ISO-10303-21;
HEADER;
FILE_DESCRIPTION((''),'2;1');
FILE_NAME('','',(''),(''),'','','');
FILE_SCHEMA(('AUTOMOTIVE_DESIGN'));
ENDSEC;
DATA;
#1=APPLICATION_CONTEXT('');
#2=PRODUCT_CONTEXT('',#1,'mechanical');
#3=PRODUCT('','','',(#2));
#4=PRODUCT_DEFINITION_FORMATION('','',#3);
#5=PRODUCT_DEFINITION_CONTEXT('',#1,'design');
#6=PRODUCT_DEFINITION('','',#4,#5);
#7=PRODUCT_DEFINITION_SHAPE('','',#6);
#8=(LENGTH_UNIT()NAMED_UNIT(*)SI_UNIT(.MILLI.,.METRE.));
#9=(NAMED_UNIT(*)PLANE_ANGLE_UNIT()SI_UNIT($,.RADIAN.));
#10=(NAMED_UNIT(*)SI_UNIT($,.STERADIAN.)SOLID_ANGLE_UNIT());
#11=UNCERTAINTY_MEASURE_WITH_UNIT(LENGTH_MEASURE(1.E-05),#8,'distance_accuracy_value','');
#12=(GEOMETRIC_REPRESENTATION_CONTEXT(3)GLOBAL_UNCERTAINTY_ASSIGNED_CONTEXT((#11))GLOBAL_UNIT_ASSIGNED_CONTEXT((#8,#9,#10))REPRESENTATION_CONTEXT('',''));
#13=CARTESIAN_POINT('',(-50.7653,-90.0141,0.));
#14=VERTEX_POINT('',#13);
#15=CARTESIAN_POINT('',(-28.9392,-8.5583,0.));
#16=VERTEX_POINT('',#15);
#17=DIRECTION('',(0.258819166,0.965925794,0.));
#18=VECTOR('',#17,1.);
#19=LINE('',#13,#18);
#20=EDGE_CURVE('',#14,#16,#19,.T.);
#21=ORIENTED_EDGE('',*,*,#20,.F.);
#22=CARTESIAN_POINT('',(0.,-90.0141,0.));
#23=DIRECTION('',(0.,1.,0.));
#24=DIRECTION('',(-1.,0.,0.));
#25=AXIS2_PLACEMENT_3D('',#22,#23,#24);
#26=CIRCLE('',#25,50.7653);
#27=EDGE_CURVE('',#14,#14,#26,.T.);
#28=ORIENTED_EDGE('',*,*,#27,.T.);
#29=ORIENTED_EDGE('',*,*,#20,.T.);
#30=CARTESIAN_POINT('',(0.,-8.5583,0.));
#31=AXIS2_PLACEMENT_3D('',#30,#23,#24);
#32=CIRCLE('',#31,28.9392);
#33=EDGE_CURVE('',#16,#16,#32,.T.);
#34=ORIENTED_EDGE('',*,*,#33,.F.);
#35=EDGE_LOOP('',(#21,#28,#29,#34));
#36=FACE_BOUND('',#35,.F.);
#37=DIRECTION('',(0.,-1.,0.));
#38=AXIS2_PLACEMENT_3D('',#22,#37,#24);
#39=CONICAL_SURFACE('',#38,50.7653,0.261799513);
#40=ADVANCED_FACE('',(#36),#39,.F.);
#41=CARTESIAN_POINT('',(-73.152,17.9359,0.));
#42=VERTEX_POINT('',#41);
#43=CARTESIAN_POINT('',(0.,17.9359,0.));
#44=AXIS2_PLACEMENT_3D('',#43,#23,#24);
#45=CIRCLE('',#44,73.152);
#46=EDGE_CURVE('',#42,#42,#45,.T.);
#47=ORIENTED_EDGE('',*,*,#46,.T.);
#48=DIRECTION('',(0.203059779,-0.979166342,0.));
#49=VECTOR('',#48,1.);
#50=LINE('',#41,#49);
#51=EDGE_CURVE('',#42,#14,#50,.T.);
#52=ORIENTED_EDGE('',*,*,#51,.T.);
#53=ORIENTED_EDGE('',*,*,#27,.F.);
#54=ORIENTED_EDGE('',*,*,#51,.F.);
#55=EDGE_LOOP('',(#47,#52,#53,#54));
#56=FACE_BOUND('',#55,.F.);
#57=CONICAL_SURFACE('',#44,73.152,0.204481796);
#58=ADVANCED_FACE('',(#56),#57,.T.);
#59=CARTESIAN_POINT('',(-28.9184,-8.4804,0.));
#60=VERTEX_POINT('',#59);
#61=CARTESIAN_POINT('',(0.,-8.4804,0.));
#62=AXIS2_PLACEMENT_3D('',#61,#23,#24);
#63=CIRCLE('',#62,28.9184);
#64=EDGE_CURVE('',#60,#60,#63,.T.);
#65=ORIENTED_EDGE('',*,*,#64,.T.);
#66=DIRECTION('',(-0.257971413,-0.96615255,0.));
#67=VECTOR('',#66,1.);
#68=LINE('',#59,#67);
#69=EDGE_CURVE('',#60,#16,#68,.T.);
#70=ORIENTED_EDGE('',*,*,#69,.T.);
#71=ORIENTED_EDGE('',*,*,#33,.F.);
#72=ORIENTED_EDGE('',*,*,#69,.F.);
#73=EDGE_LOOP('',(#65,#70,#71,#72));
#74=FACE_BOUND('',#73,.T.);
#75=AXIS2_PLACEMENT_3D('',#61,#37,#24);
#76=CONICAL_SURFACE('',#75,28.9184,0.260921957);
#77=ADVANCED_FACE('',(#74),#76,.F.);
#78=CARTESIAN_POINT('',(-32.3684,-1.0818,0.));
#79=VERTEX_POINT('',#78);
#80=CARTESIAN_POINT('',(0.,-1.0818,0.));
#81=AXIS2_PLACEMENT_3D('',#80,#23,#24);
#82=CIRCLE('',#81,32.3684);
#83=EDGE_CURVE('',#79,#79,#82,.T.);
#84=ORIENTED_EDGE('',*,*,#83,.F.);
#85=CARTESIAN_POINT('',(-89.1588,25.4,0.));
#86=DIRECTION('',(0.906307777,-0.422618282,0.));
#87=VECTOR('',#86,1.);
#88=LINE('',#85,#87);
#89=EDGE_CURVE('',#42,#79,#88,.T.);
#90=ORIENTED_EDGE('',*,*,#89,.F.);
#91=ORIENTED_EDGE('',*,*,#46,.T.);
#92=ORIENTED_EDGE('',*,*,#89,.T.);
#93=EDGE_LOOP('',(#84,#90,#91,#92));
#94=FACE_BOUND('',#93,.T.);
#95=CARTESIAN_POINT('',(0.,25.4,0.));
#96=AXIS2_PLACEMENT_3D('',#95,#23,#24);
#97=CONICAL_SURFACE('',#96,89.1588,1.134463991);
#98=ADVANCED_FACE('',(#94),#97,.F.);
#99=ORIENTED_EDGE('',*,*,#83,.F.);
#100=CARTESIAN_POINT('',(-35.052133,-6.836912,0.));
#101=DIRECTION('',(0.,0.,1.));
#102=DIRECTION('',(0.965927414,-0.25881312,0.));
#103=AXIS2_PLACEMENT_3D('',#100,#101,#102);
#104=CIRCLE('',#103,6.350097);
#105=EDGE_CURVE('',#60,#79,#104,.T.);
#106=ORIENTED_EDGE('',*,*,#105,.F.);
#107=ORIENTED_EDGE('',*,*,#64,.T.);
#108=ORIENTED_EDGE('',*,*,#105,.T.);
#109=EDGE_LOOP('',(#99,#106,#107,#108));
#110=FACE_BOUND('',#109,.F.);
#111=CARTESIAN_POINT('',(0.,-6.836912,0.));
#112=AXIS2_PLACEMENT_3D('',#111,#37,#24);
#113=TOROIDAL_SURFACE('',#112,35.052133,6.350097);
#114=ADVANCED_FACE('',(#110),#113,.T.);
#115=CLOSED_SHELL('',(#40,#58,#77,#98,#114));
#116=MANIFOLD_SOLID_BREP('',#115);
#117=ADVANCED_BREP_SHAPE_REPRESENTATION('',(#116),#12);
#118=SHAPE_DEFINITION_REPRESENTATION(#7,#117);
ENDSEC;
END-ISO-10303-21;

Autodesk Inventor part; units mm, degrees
ref_plane "YZ Plane" through (0, 0, 0) normal (1, 0, 0) x (0, 1, 0)
ref_plane "XZ Plane" through (0, 0, 0) normal (0, 1, 0) x (-1, 0, 0)
ref_plane "XY Plane" through (0, 0, 0) normal (0, 0, 1) x (1, 0, 0)
sketch "Sketch1" plane through (0, 0, 0) normal (0, 0, 1) x (1, 0, 0)
  line L0 (0, 25.4) -> (-28.702, 25.4) construction
  line L1 (0, 25.4) -> (-95.25, 25.4) construction
  line L2 (-95.25, 25.4) -> (-89.1588, 25.4) construction
  line L3 (-89.1588, 25.4) -> (-85.693, 23.7839) construction
  line L4 (-89.1588, 25.4) -> (-89.1588, 21.1626) construction
  line L5 (-89.1588, 0) -> (-95.25, 0)
  line L6 (-28.702, 59.6457) -> (-28.702, -91.9304) construction
  arc A0 (-28.9184, -8.4804) -> (-32.3684, -1.0818) centre (-35.052, -6.8369) ccw
  line L7 (-89.1588, 25.4) -> (-89.1588, 0)
  line L8 (-89.1588, 25.4) -> (-32.3684, -1.0818)
  line L9 (-28.9184, -8.4804) -> (-28.9392, -8.5583)
  line L10 (0, -319.0244) -> (0, 122.7573) projected
  line L11 (-73.152, 17.9359) -> (-28.702, 17.9359) construction
  line L12 (-89.1588, 0) -> (-92.3338, 0)
  line L13 (11.4547, -6.8369) -> (-136.2084, -6.8369) construction
  line L14 (-57.2892, -89.8271) -> (-74.8171, -155.2422)
  line L15 (-92.3338, -12.7) -> (-73.2838, -12.7)
  line L16 (-73.2838, -12.7) -> (-54.421, -103.6575)
  line L17 (-74.8171, -155.2422) -> (-68.2431, -155.2422)
  line L18 (-92.3338, -25.4) -> (-79.6338, -25.4)
  line L19 (-79.6338, -25.4) -> (-79.6338, -57.15)
  line L20 (-79.6338, -57.15) -> (-72.991, -88.4936)
  line L21 (-92.3338, 0) -> (-92.3338, -25.4)
  line L22 (-86.3902, -25.4) -> (-86.3902, -31.3436)
  line L23 (-86.3902, -31.3436) -> (-92.3338, -31.3436)
  line L24 (-92.3338, -31.3436) -> (-92.3338, -56.7436)
  line L25 (-92.3338, -56.7436) -> (-79.6338, -56.7436)
  line L26 (-73.152, 17.9359) -> (-32.3684, -1.0818)
  line L27 (-73.152, 17.9359) -> (-50.7653, -90.0141)
  line L28 (-50.7653, -90.0141) -> (-28.9184, -8.4804)
  line L29 (-52.4654, -96.3589) -> (-28.9184, -8.4804)
  line L30 (-86.36, -222.8555) -> (-28.9184, -8.4804)
  line L31 (-72.991, -88.4936) -> (-89.535, -222.8555)
  line L32 (-89.535, -222.8555) -> (-86.36, -222.8555)
  point P0 (0, 0)
  point P1 (-95.25, -255.9127)
  point P2 (-88.7095, 22.4389)
  dimension "d0" = 28.702
  dimension "d3" = 25
  dimension "d5" = 25.4
  dimension "d6" = 25.4
  dimension "d8" = 12.7
  dimension "d34" = 15
  dimension "d37" = 44.45
  dimension "d46" = 19.05
  dimension "d47" = 12.7
  dimension "d55" = 12.7
  dimension "d56" = 31.75
  dimension "d58" = 0.25
  dimension "d60" = 12.7
  dimension "d61" = 25.4
  dimension "d62" = 5.9436
  dimension "d63" = 5.9436
  dimension "d64" = 3.175
  dimension "d68" = 107.95
  dimension "d69" = 6.35
  dimension "d70" = 6.35
  dimension "d71" = 3.175
  dimension "d73" = 86.36
  dimension "d74" = 31.75
  dimension "d75" = 6.3448
revolve "Revolution3" add sketch "Sketch1" angle 360 about axis through (0, -10, 0) along (0, 1, 0) contours L8 A0 L9 L28 L27
properties part number "graphite" material "GFRC"
